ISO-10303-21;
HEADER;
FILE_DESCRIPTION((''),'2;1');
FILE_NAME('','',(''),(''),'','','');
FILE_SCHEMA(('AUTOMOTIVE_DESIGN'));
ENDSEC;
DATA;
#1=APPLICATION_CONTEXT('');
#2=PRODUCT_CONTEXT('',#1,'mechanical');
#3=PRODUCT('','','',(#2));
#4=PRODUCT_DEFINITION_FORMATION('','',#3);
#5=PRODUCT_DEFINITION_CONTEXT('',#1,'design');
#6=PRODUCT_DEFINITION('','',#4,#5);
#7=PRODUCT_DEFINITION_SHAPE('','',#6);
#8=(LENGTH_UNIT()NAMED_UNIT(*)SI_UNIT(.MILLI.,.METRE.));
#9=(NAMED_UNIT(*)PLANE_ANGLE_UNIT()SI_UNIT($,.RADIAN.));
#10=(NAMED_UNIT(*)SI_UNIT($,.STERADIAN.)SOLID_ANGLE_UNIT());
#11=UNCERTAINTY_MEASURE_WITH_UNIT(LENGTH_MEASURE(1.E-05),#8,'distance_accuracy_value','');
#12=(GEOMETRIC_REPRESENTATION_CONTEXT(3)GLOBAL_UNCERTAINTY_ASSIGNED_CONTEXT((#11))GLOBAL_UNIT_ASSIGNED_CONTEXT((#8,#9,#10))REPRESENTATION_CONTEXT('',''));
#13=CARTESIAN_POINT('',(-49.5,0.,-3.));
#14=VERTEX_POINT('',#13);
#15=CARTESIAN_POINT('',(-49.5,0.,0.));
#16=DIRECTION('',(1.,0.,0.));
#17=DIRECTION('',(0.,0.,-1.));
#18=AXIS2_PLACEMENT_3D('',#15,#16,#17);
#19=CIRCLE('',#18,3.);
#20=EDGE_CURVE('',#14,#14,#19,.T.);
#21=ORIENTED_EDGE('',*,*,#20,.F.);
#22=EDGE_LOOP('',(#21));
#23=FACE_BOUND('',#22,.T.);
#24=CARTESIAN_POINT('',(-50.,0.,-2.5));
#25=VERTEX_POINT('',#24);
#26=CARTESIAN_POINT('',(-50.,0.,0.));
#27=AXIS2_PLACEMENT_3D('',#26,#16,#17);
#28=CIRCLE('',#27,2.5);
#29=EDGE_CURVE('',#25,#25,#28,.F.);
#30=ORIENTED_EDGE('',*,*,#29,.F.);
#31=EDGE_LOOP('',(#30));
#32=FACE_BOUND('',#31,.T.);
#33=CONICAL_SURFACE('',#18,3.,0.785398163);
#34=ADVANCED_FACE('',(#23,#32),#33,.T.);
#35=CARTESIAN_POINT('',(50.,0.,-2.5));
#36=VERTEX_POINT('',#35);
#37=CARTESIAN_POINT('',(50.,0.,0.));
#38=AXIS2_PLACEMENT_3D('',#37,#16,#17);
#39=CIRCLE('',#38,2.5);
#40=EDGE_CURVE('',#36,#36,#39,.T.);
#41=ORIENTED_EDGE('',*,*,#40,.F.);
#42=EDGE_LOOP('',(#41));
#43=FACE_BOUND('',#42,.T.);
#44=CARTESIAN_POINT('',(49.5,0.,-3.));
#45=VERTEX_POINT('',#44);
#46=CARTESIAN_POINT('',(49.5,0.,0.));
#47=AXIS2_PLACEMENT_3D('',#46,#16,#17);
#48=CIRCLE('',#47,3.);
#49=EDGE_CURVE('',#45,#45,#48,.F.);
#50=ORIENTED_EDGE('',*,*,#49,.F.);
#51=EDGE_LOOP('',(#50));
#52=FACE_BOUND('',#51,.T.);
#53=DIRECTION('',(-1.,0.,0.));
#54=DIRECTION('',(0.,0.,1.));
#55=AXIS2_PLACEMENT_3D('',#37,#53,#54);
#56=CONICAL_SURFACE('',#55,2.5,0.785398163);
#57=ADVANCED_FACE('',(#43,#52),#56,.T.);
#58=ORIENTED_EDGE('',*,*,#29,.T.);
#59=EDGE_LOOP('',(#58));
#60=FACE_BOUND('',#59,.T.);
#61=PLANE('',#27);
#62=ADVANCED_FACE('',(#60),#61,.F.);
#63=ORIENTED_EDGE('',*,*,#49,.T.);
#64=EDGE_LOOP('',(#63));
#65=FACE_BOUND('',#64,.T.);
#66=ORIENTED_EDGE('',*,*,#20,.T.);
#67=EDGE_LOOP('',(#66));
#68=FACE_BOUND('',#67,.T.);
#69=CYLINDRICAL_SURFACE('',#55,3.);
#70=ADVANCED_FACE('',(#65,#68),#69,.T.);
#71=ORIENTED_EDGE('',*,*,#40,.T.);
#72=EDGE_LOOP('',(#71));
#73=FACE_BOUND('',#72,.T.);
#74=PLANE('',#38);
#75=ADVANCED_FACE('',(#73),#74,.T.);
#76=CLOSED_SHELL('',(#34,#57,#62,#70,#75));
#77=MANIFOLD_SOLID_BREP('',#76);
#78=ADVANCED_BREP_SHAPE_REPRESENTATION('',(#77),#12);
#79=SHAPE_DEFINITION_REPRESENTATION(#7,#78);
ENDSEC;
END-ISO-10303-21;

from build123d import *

# Parameters (mm, degrees)
SKETCH1_R           = 3
BOSS_EXTRUDE1_DEPTH = 50
CHAMFER1_SIZE       = 0.5


with BuildPart() as part:
    # Sketch1 → Boss-Extrude1 (new body, symmetric)
    with BuildSketch(Plane(origin=(0, 0, 0), x_dir=(0, 0, -1), z_dir=(1, 0, 0))):
        Circle(SKETCH1_R)
    extrude(amount=BOSS_EXTRUDE1_DEPTH, both=True)

    # Chamfer1
    chamfer1_edges = [part.edges().sort_by_distance(p)[0] for p in [
        (-50, 0, 3),
        (50, 0, 3),
    ]]
    chamfer(chamfer1_edges, length=CHAMFER1_SIZE)


solid = part.part
